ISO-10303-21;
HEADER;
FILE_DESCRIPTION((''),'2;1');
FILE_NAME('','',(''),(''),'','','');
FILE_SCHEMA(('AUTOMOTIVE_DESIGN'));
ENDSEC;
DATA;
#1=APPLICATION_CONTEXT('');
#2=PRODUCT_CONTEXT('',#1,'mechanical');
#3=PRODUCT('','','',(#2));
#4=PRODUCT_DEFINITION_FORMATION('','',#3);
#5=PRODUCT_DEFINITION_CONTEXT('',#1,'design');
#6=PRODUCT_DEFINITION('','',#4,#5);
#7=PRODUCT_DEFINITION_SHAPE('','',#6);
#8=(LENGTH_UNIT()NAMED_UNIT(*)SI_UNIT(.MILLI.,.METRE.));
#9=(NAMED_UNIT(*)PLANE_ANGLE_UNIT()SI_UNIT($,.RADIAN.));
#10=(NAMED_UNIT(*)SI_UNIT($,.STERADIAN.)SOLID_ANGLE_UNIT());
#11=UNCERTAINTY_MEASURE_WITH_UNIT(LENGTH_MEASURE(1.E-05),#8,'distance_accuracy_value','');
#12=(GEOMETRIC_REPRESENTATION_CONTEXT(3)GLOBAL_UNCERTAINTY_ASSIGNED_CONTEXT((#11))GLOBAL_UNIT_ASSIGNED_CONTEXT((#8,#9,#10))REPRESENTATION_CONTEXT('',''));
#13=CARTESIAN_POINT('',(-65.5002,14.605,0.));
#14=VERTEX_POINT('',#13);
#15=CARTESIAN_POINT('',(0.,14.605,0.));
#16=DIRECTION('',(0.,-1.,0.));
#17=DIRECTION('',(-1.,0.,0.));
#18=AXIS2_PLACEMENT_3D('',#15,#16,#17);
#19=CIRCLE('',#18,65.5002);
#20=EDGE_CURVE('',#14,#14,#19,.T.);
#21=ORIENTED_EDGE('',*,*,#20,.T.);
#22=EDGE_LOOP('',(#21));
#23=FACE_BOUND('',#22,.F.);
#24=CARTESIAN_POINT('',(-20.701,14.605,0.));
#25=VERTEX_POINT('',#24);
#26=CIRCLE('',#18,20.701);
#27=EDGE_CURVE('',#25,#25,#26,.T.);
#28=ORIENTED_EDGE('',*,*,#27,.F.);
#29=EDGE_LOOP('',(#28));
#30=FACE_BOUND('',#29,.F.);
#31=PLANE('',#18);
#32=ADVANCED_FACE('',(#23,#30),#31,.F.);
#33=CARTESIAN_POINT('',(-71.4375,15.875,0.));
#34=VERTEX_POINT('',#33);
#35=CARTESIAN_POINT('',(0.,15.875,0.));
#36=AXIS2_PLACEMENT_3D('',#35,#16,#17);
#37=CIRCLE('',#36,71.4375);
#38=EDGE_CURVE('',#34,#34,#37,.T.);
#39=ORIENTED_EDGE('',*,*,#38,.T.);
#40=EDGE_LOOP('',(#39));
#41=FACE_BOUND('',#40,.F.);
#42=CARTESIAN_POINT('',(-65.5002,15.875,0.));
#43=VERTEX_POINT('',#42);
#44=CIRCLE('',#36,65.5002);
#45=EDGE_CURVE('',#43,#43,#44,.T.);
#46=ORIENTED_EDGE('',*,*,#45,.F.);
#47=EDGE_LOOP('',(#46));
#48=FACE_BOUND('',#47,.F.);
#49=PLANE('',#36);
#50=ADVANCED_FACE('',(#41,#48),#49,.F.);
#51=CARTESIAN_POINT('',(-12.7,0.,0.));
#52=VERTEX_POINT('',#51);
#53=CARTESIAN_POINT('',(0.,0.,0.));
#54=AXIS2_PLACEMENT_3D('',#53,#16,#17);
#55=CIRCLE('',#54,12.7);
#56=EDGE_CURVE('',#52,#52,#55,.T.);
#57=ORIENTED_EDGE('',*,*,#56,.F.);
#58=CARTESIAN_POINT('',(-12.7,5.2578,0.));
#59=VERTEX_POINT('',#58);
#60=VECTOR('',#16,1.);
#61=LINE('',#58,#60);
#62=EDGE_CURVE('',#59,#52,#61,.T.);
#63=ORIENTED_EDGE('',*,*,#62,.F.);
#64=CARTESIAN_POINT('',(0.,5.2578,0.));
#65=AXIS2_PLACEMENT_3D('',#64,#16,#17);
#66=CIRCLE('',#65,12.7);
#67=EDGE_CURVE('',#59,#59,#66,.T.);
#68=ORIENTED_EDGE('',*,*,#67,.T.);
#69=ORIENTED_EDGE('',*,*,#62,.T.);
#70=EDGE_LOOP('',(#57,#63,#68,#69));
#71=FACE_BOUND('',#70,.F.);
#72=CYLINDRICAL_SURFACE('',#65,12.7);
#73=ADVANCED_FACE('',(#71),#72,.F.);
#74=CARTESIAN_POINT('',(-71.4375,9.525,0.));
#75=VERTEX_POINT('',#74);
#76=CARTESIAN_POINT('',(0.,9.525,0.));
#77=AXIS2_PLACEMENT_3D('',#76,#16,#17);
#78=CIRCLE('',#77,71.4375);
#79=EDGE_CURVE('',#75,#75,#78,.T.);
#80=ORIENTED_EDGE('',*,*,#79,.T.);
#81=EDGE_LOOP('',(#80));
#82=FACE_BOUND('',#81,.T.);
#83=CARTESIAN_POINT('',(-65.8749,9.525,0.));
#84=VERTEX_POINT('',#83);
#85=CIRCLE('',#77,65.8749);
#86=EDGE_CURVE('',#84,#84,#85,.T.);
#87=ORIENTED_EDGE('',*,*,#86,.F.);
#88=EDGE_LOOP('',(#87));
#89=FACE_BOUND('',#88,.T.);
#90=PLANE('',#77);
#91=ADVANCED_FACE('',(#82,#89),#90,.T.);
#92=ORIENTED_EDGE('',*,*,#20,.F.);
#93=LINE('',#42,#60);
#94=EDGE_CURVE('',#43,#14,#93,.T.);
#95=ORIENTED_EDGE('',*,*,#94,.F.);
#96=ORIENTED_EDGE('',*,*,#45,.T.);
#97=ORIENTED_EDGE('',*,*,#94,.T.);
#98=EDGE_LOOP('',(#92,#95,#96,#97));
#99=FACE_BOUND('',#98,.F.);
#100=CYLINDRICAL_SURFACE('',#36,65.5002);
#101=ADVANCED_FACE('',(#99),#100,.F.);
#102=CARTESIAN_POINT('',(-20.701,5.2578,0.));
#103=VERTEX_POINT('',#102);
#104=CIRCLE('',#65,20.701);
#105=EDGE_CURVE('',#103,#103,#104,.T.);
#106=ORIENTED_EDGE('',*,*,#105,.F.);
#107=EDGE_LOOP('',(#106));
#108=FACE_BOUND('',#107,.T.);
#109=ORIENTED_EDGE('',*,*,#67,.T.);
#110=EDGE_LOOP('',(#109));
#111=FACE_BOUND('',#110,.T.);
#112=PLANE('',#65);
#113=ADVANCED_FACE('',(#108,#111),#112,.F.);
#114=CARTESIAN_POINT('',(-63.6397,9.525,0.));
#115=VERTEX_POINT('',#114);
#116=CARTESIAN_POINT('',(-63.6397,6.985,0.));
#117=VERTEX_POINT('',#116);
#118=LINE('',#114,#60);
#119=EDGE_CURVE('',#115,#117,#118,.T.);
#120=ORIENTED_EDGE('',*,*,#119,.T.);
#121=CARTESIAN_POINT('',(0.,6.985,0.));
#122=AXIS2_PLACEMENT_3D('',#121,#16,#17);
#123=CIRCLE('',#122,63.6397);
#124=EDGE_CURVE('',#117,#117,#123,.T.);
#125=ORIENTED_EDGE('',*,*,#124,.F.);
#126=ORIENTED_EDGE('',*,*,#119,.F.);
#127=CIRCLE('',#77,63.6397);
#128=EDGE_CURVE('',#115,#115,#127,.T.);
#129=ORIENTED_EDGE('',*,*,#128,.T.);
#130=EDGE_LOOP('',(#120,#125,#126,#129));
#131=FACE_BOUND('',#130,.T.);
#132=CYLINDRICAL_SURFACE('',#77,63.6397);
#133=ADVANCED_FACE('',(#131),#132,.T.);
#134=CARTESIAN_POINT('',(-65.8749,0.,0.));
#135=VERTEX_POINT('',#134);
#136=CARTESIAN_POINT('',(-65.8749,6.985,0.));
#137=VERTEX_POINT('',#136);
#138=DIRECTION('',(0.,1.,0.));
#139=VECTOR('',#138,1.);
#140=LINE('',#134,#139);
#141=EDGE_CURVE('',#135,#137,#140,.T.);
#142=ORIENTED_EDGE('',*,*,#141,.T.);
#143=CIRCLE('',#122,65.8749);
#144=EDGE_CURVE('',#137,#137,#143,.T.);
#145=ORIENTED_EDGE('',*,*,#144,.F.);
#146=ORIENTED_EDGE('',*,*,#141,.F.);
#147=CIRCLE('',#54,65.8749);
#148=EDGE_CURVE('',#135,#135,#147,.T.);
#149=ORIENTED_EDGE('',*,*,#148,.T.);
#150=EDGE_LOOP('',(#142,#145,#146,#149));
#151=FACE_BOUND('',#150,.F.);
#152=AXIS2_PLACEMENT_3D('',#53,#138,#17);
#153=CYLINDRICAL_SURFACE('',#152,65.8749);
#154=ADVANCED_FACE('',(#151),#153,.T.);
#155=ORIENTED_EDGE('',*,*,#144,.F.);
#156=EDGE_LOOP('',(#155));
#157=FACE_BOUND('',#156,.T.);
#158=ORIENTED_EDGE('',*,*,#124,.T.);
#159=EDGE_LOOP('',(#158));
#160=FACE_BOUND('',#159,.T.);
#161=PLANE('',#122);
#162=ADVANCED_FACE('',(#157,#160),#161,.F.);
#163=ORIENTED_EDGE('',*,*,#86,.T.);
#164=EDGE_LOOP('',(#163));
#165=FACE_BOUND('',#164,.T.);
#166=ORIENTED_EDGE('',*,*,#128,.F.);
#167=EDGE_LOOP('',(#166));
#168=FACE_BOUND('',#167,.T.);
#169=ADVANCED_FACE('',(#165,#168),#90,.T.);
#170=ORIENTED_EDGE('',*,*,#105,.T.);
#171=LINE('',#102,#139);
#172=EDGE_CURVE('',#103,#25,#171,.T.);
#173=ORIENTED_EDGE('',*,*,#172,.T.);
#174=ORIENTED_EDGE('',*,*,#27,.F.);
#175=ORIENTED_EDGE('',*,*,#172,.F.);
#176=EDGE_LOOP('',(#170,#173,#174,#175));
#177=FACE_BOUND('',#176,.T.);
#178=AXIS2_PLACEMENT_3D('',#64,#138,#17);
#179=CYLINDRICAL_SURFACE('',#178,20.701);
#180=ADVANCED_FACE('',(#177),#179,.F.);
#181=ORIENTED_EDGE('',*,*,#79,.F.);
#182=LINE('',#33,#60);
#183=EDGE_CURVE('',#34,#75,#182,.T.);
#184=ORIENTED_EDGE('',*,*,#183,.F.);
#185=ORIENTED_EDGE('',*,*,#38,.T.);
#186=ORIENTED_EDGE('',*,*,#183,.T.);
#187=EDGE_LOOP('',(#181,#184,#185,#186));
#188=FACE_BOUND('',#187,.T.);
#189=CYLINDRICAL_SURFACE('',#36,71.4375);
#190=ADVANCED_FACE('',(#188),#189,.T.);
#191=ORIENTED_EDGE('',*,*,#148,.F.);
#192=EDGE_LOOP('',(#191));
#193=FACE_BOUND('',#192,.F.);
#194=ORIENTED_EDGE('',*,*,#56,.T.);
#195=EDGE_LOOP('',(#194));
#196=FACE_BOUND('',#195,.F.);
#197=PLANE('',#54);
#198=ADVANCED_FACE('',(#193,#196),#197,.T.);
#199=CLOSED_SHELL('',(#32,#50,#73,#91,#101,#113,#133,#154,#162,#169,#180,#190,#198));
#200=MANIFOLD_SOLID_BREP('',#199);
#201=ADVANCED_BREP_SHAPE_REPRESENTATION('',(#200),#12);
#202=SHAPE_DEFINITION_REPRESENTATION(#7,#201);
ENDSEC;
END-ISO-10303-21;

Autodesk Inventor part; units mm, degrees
ref_plane "YZ Plane" through (0, 0, 0) normal (1, 0, 0) x (0, 1, 0)
ref_plane "XZ Plane" through (0, 0, 0) normal (0, 1, 0) x (-1, 0, 0)
ref_plane "XY Plane" through (0, 0, 0) normal (0, 0, 1) x (1, 0, 0)
sketch "Sketch1" plane through (0, 0, 0) normal (0, 0, 1) x (1, 0, 0)
  line L0 (-12.7, 0) -> (-65.8749, 0)
  line L1 (-65.8749, 0) -> (-65.8749, 6.985)
  line L2 (-71.4375, 9.525) -> (-65.8749, 9.525)
  line L3 (-65.8749, 9.525) -> (-63.6397, 9.525)
  line L4 (-63.6397, 9.525) -> (-63.6397, 6.985)
  line L5 (-63.6397, 6.985) -> (-65.8749, 6.985)
  line L6 (-65.5002, 14.605) -> (-20.701, 14.605)
  line L7 (-12.7, 5.2578) -> (-20.701, 5.2578)
  line L8 (-20.701, 5.2578) -> (-20.701, 14.605)
  line L9 (-12.7, 5.2578) -> (-12.7, 0)
  line L10 (0, 14.605) -> (0, 0)
  line L11 (-71.4375, 15.875) -> (-65.5002, 15.875)
  line L12 (-65.5002, 15.875) -> (-65.5002, 14.605)
  line L13 (-71.4375, 15.875) -> (-71.4375, 9.525)
  dimension "d0" = 65.8749
  dimension "d1" = 9.525
  dimension "d7" = 2.54
  dimension "d8" = 2.2352
  dimension "d9" = 6.985
  dimension "d24" = 9.3472
  dimension "d25" = 5.2578
  dimension "d26" = 8.001
  dimension "d27" = 12.7
  dimension "d28" = 5.2578
  dimension "d30" = 5.9372
  dimension "d32" = 6.35
  dimension "d33" = 1.27
  dimension "d34" = 44.7992
revolve "Revolution2" add sketch "Sketch1" angle 360 about axis through (0, 14.605, 0) along (0, -1, 0)
properties part number "Upper Thermal Barrier" material "Phenolic Resin"
